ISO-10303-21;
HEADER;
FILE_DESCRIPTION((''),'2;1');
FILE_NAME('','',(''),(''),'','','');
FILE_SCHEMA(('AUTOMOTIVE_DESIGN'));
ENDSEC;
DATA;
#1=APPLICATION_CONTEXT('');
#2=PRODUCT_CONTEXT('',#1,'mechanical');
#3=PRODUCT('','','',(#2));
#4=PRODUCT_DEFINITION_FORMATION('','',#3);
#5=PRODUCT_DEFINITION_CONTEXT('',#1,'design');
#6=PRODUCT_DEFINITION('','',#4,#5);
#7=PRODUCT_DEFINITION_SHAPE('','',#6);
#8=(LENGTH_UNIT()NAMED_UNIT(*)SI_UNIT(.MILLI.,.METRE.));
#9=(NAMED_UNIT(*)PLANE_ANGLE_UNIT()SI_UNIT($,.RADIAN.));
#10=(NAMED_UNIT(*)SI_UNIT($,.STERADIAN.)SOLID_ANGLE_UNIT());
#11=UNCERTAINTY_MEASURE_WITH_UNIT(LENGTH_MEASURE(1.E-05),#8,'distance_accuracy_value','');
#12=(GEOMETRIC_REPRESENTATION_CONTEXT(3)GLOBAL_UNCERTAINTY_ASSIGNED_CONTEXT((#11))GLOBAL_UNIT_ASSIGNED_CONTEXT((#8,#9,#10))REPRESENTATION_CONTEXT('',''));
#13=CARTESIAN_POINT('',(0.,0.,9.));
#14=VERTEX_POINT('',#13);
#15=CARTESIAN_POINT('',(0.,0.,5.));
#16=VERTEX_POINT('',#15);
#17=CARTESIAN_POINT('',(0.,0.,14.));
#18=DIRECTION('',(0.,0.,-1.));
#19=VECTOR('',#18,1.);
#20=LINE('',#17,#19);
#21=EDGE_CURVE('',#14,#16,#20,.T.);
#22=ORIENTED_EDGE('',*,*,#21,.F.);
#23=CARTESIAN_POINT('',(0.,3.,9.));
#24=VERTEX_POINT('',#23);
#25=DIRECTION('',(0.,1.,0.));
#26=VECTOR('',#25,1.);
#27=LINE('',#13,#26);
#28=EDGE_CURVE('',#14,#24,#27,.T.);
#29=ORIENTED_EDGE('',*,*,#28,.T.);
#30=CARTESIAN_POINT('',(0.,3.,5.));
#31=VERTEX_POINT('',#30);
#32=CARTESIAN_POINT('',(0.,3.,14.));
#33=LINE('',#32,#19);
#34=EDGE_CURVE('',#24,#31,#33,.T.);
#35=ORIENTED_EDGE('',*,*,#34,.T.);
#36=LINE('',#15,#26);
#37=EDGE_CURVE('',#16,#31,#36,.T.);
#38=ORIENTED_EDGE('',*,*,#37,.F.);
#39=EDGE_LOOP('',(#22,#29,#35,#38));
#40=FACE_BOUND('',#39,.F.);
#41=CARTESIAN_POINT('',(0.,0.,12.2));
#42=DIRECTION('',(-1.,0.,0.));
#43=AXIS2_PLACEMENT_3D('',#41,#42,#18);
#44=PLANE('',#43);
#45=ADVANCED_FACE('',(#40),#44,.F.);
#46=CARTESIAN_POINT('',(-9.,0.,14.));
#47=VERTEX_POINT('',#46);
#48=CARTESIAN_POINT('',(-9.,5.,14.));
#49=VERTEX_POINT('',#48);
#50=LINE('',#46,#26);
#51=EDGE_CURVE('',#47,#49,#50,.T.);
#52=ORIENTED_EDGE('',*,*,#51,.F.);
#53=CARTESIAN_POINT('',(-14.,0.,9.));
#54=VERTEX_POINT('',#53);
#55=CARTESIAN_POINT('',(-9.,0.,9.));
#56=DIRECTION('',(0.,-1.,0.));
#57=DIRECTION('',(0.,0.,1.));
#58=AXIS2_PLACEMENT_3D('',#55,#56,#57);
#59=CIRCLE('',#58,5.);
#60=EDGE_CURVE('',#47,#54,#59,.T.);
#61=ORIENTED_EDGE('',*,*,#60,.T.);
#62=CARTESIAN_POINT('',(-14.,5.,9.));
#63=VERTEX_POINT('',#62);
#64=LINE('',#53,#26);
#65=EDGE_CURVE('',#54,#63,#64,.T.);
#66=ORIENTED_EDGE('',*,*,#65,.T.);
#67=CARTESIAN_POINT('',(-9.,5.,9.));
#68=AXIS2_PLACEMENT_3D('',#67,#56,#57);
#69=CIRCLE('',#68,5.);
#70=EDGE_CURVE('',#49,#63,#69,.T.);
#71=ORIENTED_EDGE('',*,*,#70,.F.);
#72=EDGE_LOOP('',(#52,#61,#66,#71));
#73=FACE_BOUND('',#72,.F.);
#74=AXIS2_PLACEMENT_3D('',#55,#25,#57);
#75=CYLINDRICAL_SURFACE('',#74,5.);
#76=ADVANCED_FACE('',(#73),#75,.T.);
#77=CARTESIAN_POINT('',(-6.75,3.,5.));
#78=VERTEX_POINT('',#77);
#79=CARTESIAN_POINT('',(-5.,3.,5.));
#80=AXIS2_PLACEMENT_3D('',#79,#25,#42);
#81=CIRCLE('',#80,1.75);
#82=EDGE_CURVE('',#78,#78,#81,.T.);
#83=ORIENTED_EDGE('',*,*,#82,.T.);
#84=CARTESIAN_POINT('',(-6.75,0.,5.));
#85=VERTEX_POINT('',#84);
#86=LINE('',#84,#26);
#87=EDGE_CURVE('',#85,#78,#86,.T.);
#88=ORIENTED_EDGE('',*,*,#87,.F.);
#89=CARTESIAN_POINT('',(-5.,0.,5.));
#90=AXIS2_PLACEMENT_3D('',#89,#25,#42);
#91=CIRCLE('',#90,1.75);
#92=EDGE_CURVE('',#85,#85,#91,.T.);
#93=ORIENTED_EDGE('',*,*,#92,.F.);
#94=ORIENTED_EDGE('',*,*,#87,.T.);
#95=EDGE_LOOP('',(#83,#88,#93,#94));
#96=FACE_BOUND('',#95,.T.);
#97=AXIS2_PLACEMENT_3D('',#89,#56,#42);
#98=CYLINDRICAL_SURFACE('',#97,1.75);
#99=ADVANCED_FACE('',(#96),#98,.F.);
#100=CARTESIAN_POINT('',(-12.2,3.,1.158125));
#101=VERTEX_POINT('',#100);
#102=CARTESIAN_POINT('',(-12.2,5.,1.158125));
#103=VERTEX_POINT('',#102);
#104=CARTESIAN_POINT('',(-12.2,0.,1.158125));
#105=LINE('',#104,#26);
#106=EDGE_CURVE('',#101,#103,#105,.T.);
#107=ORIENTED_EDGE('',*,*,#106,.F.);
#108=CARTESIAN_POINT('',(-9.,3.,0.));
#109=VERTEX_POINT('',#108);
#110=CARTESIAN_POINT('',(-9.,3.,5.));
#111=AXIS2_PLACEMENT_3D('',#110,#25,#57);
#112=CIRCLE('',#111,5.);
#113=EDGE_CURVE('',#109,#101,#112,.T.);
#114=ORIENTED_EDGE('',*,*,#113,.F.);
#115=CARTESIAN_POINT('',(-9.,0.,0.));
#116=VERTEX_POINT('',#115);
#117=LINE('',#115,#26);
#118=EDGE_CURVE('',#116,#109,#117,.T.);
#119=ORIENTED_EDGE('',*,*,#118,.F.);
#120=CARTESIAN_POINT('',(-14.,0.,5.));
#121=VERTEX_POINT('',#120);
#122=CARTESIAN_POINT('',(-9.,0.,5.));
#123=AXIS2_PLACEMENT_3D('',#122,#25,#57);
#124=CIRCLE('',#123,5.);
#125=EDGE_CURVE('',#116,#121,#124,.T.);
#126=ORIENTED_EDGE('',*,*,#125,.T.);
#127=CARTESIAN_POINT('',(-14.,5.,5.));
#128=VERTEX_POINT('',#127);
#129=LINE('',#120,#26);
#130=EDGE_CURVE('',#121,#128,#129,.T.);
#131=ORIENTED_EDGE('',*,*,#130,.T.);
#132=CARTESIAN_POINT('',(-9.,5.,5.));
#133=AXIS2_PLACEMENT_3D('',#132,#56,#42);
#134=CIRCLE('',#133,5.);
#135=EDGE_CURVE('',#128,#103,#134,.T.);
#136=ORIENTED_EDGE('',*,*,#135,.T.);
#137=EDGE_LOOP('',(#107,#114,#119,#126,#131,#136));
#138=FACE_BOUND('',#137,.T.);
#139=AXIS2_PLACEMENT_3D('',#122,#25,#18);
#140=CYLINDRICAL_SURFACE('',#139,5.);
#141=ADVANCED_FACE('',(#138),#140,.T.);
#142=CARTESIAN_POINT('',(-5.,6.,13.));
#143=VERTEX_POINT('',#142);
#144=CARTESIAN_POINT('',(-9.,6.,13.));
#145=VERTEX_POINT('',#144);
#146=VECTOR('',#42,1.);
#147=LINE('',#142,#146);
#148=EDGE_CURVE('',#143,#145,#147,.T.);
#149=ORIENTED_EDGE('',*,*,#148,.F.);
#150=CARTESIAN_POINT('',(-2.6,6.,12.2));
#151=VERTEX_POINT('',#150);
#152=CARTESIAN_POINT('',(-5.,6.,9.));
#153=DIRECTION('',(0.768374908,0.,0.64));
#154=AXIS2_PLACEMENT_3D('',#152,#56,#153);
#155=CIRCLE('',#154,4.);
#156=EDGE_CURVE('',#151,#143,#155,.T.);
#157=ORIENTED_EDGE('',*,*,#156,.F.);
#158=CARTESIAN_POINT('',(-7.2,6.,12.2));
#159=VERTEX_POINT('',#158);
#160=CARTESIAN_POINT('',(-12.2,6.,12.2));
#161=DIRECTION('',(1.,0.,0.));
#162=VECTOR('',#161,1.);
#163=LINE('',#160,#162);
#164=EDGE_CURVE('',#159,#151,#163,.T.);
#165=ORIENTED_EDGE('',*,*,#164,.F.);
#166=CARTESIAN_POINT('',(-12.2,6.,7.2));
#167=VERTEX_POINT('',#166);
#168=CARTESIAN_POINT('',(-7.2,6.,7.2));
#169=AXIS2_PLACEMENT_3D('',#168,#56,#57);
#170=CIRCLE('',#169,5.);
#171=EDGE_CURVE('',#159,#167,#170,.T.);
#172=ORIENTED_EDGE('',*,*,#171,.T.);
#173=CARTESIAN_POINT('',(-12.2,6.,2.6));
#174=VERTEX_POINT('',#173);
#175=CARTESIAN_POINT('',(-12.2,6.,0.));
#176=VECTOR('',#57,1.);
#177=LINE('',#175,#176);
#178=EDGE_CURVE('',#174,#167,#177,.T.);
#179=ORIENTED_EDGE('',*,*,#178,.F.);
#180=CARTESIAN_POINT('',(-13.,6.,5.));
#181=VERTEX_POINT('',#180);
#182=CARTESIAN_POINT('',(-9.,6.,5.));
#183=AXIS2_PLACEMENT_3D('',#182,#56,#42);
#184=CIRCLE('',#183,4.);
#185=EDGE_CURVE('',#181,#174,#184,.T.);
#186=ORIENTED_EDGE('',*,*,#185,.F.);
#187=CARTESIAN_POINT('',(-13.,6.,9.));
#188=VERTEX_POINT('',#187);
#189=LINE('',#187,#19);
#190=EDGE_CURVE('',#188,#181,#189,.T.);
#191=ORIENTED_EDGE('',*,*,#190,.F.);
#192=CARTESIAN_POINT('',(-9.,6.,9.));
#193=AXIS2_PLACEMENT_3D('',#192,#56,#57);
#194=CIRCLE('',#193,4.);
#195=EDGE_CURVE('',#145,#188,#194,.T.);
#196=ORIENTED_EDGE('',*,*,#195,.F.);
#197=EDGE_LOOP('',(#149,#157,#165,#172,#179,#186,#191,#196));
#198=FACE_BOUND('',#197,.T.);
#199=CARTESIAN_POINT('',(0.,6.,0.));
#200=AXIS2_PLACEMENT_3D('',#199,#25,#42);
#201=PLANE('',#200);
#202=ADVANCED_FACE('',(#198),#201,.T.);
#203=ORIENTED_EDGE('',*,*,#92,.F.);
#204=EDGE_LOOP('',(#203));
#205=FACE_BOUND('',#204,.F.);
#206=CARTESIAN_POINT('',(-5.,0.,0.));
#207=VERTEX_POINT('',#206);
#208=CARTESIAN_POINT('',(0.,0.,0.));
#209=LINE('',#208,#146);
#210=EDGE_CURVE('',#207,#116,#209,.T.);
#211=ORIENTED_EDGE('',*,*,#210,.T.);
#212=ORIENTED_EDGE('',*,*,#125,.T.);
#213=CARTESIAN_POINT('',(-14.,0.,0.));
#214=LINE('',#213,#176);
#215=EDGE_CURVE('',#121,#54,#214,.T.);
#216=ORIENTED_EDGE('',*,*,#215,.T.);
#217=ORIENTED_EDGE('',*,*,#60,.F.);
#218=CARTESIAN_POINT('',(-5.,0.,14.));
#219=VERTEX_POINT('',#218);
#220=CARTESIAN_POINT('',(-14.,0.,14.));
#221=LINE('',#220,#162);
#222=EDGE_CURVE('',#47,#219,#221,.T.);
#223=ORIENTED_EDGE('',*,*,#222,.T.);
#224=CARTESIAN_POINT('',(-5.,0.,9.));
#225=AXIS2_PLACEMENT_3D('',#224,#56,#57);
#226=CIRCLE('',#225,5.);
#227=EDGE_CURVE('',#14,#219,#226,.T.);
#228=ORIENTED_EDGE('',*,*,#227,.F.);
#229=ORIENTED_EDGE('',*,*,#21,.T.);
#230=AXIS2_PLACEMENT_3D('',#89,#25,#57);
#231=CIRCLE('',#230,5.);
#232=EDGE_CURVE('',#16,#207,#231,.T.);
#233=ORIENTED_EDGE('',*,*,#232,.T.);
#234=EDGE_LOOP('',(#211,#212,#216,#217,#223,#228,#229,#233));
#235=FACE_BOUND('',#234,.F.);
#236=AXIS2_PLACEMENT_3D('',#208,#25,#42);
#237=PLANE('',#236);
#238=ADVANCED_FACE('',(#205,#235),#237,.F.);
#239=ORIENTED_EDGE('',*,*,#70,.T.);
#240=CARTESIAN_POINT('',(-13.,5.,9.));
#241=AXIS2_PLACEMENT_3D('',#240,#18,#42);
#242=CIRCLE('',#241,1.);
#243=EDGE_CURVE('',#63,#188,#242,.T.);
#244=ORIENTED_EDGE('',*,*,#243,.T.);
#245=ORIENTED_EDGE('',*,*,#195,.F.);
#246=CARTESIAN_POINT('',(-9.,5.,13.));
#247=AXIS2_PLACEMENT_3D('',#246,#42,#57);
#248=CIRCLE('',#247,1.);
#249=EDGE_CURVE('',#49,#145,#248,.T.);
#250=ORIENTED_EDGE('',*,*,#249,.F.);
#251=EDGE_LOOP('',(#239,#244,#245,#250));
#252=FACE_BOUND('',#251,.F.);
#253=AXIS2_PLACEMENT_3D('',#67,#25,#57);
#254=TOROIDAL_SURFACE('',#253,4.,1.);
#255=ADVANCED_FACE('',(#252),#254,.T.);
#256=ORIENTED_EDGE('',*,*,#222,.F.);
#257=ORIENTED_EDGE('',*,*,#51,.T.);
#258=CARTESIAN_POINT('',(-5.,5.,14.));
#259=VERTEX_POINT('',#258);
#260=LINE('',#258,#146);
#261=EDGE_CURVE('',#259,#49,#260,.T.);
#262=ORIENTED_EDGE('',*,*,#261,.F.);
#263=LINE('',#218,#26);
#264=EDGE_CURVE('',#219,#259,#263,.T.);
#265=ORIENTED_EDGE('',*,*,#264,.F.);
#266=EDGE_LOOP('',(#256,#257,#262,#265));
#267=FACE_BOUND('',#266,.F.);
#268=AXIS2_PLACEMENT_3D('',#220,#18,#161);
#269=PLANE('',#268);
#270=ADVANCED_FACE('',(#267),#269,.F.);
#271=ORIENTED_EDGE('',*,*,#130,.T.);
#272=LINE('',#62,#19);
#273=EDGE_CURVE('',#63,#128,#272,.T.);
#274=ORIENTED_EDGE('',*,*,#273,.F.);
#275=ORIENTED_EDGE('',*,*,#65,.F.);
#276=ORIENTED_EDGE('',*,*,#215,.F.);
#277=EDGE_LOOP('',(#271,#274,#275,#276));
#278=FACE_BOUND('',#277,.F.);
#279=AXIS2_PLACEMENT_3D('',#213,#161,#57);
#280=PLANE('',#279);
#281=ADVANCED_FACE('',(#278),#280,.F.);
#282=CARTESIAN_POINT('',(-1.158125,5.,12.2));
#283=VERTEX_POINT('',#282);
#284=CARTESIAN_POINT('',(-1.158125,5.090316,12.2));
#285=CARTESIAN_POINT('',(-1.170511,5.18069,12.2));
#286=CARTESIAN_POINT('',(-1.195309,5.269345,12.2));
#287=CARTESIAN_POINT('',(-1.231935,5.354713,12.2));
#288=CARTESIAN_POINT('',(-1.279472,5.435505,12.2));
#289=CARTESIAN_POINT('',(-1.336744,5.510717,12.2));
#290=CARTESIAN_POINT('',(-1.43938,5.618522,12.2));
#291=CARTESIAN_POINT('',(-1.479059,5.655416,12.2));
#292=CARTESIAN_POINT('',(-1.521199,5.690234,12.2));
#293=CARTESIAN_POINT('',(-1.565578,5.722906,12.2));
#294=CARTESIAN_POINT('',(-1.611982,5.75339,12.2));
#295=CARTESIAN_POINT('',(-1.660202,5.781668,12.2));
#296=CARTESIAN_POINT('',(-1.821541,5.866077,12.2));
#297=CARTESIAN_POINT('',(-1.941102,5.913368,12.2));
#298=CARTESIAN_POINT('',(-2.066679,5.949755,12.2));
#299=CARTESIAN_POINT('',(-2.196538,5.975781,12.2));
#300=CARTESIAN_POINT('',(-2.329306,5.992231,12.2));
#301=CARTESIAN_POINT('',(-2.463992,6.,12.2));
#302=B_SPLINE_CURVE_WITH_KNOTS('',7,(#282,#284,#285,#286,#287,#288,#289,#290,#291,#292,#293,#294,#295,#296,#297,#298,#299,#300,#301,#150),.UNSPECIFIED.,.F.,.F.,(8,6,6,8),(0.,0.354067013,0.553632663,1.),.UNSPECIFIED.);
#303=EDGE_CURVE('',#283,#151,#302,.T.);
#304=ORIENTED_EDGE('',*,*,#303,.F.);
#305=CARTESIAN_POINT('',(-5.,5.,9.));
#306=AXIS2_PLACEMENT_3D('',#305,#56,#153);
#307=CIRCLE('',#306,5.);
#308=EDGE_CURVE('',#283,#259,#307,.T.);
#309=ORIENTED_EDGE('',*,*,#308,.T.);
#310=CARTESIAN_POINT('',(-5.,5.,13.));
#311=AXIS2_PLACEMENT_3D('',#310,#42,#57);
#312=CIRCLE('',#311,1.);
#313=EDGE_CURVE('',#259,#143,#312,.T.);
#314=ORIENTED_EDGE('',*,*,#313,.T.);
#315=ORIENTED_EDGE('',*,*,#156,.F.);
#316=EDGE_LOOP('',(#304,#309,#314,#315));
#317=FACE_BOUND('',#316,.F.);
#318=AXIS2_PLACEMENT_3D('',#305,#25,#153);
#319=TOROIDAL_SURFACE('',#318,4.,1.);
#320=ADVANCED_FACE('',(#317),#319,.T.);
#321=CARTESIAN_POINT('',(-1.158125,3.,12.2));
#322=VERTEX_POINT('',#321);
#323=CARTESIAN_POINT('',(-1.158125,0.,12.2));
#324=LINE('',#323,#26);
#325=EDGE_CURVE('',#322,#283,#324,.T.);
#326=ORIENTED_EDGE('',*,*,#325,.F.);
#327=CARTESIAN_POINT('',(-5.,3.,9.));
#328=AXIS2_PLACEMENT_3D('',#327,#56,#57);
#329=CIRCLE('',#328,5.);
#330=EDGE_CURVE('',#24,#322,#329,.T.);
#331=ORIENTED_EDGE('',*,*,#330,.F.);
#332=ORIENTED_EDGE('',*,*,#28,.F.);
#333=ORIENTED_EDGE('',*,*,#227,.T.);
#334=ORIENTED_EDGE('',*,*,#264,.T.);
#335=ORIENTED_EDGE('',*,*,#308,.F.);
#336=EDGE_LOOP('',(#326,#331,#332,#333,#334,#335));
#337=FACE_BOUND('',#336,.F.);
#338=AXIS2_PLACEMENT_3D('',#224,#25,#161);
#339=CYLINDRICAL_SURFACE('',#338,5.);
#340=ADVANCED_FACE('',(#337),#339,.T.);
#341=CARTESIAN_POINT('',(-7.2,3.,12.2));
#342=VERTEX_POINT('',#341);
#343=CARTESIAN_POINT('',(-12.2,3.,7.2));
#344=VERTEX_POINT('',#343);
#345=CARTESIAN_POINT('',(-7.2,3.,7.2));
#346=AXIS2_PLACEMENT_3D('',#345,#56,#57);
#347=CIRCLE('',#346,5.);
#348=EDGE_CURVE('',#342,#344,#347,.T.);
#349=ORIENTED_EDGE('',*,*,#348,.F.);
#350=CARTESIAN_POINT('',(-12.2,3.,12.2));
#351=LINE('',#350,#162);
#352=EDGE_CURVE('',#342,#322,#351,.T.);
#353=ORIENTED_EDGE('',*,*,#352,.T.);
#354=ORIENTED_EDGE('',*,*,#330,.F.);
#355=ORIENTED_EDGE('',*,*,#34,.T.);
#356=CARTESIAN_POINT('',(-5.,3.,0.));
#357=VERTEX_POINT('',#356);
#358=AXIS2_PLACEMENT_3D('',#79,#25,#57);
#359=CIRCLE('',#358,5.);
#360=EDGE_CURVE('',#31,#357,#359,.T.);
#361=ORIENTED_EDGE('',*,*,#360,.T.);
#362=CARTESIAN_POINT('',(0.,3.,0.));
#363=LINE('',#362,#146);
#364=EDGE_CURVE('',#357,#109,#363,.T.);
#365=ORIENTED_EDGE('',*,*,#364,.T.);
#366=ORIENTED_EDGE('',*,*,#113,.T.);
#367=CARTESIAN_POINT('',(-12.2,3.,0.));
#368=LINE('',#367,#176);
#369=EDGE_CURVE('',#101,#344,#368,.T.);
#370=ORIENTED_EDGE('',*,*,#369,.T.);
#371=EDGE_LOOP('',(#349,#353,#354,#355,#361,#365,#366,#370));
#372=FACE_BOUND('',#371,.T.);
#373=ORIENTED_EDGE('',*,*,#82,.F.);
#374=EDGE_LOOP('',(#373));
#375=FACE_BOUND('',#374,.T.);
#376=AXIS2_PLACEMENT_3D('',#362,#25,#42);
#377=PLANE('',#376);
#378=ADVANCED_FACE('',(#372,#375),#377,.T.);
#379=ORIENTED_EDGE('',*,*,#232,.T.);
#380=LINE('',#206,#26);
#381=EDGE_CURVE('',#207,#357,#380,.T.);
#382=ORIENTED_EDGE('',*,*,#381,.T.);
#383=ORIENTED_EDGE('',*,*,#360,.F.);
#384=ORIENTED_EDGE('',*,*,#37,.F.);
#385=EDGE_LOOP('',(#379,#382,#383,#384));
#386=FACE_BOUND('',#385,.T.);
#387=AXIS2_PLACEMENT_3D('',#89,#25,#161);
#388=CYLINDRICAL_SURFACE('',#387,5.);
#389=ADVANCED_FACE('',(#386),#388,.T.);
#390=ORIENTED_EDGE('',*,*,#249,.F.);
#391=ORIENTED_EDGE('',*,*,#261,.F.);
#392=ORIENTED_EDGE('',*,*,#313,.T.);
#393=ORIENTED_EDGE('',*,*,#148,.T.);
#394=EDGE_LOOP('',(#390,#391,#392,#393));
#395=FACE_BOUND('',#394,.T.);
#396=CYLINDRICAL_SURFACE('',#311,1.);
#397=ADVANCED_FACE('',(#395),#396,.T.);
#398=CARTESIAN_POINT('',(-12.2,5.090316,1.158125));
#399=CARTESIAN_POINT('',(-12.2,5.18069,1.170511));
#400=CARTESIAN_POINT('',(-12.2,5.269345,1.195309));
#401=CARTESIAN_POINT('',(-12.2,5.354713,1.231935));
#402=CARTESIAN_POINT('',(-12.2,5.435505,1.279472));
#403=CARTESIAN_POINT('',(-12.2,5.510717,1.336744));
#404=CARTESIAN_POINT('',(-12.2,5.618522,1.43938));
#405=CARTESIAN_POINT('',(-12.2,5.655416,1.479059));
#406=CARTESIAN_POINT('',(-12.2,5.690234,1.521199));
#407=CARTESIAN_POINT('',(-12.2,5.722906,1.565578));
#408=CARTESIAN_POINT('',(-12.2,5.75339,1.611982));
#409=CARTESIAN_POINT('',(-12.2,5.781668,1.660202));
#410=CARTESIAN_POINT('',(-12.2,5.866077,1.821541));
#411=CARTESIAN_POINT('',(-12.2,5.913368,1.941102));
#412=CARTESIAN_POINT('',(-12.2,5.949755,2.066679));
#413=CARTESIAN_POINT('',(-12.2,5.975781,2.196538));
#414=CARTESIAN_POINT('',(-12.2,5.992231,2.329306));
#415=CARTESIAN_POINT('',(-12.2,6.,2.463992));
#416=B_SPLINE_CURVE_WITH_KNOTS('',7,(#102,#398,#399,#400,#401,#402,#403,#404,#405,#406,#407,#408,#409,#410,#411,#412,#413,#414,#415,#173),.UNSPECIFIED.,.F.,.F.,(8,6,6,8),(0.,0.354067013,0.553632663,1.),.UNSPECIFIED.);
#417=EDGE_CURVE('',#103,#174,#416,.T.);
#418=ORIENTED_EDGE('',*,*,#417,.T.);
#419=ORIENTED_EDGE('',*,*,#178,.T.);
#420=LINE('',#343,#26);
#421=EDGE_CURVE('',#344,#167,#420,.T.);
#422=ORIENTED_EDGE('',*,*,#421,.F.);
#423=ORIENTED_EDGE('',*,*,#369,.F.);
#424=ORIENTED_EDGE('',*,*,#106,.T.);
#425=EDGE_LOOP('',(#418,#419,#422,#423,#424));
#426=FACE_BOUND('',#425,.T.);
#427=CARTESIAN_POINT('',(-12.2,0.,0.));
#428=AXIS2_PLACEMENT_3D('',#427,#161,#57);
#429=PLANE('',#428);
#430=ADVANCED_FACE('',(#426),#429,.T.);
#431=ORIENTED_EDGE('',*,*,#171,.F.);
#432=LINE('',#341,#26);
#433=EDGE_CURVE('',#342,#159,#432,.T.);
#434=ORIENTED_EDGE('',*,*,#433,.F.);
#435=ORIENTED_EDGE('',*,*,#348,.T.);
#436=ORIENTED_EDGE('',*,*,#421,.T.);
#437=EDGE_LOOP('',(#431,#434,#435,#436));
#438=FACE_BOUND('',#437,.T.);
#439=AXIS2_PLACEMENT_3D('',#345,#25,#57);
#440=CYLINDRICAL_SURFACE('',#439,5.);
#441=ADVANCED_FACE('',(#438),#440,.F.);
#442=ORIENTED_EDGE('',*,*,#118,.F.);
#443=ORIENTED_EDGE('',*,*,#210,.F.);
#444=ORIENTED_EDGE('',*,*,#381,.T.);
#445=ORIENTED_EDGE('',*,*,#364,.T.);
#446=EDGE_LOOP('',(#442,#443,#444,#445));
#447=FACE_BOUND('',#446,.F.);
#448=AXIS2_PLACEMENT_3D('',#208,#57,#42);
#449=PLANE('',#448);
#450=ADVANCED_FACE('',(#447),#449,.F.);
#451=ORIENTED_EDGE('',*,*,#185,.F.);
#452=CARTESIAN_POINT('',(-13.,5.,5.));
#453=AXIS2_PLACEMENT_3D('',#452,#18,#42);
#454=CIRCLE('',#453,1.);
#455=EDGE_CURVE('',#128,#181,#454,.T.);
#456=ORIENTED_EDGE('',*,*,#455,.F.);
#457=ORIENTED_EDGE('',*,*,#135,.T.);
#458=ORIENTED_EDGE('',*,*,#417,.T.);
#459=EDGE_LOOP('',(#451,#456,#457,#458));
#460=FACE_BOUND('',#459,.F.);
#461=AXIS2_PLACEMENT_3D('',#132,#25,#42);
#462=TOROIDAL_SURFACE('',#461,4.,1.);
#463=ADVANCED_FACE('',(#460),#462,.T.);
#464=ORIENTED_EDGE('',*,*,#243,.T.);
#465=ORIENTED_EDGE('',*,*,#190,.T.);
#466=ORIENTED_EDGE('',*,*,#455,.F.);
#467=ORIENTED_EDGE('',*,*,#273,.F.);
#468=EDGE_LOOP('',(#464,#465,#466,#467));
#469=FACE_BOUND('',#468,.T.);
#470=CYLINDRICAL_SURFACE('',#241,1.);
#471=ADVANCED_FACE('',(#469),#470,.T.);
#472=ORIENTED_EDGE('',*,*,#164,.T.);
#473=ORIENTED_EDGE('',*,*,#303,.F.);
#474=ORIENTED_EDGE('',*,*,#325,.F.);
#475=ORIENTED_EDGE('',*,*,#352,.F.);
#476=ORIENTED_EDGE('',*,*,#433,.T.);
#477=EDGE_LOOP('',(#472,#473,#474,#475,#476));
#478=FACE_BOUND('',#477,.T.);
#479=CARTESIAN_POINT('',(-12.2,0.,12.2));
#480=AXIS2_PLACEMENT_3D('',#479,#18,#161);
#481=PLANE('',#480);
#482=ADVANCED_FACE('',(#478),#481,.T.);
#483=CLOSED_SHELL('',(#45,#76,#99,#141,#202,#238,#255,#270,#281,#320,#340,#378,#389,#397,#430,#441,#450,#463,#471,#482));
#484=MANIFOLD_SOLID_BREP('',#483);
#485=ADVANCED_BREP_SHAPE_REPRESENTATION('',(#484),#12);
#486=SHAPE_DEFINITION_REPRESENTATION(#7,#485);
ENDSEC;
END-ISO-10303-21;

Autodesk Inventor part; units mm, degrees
ref_plane "YZ Plane" through (0, 0, 0) normal (1, 0, 0) x (0, 1, 0)
ref_plane "XZ Plane" through (0, 0, 0) normal (0, 1, 0) x (-1, 0, 0)
ref_plane "XY Plane" through (0, 0, 0) normal (0, 0, 1) x (1, 0, 0)
sketch "Sketch1" plane through (0, 0, 0) normal (0, 1, 0) x (-1, 0, 0)
  line L0 (0, 0) -> (14, 0)
  line L1 (14, 0) -> (14, 14)
  line L2 (14, 14) -> (0, 14)
  line L3 (0, 14) -> (0, 0)
  circle A0 centre (5, 5) radius 1.75
  line L4 (0, 0) -> (12.2, 0)
  line L5 (12.2, 0) -> (12.2, 12.2)
  line L6 (12.2, 12.2) -> (0, 12.2)
  line L7 (0, 12.2) -> (0, 0)
  dimension "d0" = 14
  dimension "d1" = 14
  dimension "d2" = 3.5
  dimension "d3" = 5
  dimension "d4" = 5
  dimension "d5" = 12.2
  dimension "d6" = 12.2
extrude "Extrusion3" add sketch "Sketch1" along normal blind 3 contours L3 L6 L5 L0
extrude "Extrusion4" add sketch "Sketch1" along normal blind 6 contours L5 L6 L3 L2 L1 L0
fillet "Fillet1" radius 5 5 edges at (-14, 3, 0) (-14, 3, 14) (-12.2, 4.5, 12.2) (0, 3, 14) (0, 1.5, 0)
fillet "Fillet2" radius 1 5 edges at (-12.5355, 6, 12.5355) (-7, 6, 14) (-2.8787, 6, 13.5277) (-13.5277, 6, 2.8787) (-14, 6, 7)
properties part number "RxBoardMountFoot"
